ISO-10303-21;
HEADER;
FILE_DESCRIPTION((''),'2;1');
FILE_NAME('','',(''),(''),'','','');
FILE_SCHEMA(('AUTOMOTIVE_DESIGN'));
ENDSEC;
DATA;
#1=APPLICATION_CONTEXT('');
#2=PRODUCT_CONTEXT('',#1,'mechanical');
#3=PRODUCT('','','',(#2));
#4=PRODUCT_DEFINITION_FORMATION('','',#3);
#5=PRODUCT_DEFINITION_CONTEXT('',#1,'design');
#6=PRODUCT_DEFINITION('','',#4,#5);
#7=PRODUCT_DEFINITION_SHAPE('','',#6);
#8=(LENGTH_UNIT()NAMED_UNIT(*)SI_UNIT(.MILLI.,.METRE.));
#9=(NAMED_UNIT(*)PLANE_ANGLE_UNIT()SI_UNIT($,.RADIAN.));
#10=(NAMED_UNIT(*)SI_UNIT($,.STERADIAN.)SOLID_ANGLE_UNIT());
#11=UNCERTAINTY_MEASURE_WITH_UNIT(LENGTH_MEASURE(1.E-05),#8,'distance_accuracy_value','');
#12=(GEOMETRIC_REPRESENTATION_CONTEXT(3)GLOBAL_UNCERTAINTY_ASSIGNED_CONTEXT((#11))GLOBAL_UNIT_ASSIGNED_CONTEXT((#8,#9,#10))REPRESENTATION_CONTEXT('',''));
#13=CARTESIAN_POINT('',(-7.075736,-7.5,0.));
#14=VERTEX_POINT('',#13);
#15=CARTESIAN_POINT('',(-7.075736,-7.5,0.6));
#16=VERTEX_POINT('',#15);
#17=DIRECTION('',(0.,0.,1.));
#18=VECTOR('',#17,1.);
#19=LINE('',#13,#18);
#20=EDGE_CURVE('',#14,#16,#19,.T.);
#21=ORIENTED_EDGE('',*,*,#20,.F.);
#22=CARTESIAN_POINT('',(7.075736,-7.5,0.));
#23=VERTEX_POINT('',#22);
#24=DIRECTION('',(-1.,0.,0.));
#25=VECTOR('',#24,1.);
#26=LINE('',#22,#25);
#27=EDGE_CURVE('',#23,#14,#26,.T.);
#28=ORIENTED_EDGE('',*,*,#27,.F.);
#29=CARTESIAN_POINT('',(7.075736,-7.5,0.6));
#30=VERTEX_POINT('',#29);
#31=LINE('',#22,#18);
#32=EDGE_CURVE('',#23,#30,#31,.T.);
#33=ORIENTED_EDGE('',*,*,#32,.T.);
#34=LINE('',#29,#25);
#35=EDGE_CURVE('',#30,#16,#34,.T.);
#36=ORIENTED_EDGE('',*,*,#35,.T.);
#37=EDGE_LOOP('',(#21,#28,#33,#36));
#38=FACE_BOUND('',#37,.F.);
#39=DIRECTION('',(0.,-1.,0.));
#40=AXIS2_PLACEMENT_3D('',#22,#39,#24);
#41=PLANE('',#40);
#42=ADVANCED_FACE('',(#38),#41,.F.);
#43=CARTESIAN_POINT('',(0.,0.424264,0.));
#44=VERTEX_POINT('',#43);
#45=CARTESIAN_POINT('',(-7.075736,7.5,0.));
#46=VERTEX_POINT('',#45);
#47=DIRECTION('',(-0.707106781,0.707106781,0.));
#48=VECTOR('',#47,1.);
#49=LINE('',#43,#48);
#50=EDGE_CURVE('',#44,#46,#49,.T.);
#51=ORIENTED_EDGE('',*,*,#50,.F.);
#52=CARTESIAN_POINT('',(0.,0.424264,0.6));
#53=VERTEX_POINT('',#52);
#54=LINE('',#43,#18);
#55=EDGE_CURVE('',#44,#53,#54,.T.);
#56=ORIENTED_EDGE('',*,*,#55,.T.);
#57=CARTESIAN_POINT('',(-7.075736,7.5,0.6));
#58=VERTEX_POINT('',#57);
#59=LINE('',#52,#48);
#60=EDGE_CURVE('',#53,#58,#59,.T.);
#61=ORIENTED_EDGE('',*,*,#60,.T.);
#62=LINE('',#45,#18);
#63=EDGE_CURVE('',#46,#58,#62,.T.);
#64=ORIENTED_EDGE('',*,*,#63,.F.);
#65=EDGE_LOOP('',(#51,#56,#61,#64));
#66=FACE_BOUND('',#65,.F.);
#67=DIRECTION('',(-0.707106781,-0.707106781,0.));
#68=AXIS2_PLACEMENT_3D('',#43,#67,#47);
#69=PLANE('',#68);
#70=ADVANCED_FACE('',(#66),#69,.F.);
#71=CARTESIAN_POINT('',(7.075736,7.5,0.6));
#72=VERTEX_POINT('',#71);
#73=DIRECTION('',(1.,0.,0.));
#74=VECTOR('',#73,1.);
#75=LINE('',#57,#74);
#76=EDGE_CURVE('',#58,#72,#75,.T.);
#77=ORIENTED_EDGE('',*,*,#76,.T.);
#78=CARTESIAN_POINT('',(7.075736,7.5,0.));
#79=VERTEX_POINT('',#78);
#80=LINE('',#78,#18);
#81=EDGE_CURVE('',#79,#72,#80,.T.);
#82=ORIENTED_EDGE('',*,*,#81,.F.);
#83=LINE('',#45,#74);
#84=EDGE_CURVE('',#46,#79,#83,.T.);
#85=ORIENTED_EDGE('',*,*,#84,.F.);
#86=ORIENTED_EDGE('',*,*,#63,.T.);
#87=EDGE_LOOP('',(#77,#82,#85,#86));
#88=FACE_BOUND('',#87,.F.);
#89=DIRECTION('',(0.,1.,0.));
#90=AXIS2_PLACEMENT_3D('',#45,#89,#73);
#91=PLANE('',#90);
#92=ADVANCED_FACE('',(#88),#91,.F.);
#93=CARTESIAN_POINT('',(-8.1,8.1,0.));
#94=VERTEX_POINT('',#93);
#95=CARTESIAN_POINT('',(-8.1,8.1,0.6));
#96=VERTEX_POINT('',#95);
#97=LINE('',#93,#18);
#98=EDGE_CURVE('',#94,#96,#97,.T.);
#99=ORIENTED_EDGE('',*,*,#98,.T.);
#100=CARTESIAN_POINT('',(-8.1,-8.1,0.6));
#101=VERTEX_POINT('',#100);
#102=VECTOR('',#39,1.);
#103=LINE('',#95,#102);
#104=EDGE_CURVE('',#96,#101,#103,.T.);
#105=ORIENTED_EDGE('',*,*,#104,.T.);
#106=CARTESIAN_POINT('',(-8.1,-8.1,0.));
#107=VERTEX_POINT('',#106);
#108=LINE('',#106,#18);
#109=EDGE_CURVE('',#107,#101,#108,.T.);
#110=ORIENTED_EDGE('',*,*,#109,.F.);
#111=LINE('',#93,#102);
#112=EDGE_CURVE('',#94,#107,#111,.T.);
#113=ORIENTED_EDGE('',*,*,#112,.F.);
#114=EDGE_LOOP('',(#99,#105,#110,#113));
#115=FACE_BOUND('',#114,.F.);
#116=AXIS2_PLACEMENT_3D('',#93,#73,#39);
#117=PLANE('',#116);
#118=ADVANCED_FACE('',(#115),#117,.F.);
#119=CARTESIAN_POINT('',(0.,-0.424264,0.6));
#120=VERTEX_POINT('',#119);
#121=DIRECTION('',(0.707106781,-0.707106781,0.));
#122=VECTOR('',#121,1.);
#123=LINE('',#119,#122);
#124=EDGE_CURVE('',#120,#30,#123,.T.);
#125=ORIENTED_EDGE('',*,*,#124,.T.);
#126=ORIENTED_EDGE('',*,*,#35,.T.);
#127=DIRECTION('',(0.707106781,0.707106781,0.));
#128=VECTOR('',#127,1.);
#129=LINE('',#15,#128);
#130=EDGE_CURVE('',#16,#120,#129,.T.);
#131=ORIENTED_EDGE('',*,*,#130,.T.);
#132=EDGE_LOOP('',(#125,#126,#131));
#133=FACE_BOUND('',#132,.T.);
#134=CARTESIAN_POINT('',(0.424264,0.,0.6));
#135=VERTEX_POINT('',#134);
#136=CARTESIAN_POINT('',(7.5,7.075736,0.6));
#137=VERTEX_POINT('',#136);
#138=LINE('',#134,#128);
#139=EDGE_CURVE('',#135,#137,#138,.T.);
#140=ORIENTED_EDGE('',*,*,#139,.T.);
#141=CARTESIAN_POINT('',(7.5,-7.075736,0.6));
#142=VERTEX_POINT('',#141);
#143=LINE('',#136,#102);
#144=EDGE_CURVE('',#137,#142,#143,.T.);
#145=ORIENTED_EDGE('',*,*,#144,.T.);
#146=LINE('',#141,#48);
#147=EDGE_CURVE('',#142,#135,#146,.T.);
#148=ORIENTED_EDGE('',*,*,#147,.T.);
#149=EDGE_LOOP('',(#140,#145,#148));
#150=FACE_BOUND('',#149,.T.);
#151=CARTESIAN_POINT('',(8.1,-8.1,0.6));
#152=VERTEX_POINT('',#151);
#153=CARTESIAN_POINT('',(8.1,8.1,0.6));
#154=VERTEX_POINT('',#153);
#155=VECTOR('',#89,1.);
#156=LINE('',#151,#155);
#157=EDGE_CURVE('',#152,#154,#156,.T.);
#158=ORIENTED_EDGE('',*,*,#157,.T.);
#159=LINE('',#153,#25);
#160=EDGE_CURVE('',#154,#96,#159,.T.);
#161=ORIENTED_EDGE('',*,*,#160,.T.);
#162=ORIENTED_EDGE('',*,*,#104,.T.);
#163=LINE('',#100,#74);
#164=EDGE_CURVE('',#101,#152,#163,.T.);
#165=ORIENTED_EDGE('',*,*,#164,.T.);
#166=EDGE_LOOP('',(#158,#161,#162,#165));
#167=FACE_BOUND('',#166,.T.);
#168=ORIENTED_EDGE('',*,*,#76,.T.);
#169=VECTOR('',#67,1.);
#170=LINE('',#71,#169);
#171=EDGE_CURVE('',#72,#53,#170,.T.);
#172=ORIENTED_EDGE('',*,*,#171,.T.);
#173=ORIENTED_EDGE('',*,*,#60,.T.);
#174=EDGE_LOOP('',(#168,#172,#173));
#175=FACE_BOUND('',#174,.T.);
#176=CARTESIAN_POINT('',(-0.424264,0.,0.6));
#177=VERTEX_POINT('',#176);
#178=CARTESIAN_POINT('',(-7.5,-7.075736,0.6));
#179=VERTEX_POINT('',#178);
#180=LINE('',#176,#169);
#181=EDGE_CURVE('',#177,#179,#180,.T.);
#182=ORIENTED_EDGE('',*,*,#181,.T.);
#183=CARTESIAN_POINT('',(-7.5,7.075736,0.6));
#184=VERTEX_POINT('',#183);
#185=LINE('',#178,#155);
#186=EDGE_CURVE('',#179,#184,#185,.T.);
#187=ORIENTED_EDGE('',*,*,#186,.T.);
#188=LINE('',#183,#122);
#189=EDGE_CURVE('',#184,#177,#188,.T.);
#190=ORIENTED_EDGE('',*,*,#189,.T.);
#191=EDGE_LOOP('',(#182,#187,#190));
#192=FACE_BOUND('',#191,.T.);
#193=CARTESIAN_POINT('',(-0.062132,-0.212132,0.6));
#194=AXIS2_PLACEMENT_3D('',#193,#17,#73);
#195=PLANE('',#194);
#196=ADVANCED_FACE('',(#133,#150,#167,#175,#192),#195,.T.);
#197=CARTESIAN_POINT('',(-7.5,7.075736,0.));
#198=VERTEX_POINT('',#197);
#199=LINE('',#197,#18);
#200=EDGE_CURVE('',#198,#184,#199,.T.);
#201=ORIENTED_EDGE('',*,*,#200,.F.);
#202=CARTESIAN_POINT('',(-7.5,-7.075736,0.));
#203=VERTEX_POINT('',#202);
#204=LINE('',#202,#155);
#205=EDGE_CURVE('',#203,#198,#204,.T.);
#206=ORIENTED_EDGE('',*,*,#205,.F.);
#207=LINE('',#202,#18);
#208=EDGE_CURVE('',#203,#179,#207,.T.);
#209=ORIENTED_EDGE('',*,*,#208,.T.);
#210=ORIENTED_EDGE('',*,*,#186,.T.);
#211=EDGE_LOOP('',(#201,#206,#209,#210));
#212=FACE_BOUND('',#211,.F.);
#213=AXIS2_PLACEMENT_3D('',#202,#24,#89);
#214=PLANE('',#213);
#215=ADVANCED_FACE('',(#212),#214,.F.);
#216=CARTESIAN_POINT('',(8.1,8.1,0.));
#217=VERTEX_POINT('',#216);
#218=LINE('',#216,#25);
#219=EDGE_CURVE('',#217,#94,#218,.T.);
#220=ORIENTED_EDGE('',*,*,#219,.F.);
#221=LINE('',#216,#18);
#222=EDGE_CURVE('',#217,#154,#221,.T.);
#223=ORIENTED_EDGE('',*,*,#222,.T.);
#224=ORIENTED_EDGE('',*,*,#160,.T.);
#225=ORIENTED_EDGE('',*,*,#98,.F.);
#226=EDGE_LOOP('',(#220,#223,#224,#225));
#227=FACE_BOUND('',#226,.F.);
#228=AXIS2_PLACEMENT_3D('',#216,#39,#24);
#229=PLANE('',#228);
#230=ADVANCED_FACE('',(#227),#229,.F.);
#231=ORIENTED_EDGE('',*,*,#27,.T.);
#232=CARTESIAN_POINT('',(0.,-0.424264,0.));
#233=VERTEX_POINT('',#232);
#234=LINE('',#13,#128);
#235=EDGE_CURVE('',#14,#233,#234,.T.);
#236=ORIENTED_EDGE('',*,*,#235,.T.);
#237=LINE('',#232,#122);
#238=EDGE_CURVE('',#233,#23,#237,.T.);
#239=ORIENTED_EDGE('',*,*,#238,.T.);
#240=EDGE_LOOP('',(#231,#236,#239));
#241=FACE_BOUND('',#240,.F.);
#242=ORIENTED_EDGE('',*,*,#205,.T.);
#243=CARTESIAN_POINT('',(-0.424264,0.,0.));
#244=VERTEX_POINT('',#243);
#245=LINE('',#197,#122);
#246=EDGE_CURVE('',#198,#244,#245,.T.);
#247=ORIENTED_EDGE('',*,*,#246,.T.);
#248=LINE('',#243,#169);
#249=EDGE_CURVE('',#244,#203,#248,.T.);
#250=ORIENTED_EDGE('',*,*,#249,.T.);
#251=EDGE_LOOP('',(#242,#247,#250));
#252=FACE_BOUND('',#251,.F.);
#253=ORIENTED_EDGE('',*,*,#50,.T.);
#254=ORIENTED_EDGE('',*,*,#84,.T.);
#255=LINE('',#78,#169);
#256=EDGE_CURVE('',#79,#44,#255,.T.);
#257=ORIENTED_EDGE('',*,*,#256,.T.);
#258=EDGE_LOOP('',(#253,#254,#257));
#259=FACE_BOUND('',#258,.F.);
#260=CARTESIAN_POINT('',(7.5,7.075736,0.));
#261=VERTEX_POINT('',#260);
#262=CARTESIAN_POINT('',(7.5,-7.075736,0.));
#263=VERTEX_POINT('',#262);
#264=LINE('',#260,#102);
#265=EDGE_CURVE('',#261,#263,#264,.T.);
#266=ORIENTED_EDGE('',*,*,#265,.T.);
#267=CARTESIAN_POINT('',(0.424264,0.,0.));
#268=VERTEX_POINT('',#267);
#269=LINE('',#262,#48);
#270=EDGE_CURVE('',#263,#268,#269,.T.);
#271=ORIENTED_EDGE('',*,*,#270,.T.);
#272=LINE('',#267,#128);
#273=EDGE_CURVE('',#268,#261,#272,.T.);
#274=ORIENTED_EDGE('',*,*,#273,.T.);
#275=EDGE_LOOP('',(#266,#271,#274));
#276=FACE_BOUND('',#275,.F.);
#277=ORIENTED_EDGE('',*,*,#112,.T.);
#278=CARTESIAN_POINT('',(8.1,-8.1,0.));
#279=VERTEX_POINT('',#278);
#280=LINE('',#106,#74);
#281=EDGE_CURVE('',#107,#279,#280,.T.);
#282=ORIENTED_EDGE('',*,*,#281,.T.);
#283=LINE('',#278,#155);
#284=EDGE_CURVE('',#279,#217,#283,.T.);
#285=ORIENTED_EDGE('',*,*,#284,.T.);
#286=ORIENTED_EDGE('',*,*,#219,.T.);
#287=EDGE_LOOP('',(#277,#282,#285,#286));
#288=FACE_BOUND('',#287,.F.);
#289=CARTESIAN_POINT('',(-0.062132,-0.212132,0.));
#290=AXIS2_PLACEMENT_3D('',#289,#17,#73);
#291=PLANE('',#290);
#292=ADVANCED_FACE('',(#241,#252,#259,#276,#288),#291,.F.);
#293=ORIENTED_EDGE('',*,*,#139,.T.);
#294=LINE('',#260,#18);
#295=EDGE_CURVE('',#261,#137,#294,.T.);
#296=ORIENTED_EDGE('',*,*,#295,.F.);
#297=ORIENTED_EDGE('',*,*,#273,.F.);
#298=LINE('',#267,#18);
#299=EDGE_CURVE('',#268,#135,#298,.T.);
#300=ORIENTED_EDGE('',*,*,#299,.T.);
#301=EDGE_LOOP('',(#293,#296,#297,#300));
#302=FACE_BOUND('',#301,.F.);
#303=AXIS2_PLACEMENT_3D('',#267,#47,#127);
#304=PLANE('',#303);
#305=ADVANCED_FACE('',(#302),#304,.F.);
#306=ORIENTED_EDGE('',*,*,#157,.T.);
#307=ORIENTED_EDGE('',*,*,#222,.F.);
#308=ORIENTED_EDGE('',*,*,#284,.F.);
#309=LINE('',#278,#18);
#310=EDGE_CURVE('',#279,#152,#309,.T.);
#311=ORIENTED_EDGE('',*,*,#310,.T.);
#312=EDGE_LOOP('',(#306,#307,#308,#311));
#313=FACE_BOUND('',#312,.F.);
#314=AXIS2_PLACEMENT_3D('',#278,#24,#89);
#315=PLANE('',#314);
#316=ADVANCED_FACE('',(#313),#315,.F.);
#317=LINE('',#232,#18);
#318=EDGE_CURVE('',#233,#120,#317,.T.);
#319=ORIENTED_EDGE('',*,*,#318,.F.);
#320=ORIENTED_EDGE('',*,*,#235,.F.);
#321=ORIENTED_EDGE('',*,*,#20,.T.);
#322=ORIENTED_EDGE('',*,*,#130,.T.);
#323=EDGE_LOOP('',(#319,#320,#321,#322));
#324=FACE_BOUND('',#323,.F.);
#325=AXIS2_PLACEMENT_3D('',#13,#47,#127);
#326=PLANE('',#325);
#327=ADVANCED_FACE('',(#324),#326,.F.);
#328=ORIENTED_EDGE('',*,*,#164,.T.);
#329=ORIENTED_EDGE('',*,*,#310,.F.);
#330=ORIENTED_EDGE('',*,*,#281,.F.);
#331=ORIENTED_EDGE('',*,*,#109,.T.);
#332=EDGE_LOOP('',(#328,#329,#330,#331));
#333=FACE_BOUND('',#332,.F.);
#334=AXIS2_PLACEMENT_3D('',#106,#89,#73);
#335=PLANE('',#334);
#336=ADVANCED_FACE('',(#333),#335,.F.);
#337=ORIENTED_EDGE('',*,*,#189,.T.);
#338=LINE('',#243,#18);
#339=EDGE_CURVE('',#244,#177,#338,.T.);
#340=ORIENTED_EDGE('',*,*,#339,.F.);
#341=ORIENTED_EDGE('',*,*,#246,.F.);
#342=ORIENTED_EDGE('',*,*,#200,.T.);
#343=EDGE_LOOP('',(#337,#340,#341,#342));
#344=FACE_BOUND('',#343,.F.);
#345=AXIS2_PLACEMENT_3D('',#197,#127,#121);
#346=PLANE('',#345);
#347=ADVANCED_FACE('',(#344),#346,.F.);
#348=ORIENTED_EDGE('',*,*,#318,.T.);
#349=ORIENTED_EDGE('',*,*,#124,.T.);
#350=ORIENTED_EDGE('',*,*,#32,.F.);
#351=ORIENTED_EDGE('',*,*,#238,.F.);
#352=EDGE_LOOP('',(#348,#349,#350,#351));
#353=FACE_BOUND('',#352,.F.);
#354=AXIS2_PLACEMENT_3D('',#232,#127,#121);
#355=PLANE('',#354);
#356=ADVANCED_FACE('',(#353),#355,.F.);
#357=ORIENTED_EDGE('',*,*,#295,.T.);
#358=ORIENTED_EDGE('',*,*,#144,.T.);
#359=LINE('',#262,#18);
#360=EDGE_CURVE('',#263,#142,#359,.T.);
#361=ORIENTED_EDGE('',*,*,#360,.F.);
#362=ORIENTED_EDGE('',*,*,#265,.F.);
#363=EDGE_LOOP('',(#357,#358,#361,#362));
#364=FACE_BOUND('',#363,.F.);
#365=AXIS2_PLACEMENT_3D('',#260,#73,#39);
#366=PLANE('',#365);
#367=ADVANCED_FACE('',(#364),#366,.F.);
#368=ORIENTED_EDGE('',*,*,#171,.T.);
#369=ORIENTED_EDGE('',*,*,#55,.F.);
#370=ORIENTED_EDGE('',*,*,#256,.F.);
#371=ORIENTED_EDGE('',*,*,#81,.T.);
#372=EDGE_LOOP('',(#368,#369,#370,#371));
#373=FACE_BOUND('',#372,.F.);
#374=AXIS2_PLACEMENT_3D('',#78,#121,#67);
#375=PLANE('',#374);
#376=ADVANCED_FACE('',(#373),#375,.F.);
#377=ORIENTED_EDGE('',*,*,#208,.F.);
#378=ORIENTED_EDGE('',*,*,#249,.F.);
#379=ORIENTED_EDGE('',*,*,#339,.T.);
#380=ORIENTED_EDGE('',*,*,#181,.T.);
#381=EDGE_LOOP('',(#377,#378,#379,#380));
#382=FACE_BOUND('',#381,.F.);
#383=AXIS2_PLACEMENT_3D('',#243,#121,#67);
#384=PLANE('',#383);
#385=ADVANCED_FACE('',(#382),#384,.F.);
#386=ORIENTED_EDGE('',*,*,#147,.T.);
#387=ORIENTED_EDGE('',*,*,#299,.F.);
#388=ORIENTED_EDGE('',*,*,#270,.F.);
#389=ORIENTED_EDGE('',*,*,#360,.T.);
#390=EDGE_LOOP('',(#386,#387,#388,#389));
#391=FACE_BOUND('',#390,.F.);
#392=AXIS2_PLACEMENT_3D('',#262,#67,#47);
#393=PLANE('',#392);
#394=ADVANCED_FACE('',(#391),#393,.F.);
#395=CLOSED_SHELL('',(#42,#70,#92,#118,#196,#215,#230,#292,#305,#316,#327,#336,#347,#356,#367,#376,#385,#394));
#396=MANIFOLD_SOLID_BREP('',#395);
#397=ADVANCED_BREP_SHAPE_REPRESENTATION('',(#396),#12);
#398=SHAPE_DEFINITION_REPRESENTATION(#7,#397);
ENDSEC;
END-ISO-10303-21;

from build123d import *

# Parameters (mm, degrees)
F1_DEPTH = 0.6


with BuildPart() as f1:
    # F0 (on Top) → F1 (new body)
    with BuildSketch(Plane.XY):
        Polygon((0, -0.4242640687), (0, 0), (-0.2121320344, -0.2121320344), align=None)
        Polygon((-7.0757359313, 7.5), (-7.5, 7.5), (-0.2121320344, 0.2121320344), (0, 0.4242640687), align=None)
        Polygon((-0.4242640687, 0), (-7.5, -7.0757359313), (-7.5, -7.5), (-0.2121320344, -0.2121320344), align=None)
        Polygon((7.5, 7.5), (0.2121320344, 0.2121320344), (0.4242640687, 0), (7.5, 7.0757359313), align=None)
        Polygon((-7.5, 7.0757359313), (-7.5, 7.5), (-7.0757359313, 7.5), (0, 7.5), (0, 8.1), (-8.1, 8.1), (-8.1, -8.1), (0, -8.1), (0, -7.5), (-7.0757359313, -7.5), (-7.5, -7.5), (-7.5, -7.0757359313), align=None)
        Polygon((0.2121320344, 0.2121320344), (0, 0), (0.2121320344, -0.2121320344), (0.4242640687, 0), align=None)
        Polygon((0, 0.4242640687), (-0.2121320344, 0.2121320344), (0, 0), align=None)
        Polygon((-0.2121320344, -0.2121320344), (-7.5, -7.5), (-7.0757359313, -7.5), (0, -0.4242640687), align=None)
        Polygon((0.2121320344, -0.2121320344), (0, -0.4242640687), (7.0757359313, -7.5), (7.5, -7.5), align=None)
        Polygon((0, 0), (-0.2121320344, 0.2121320344), (-0.4242640687, 0), (-0.2121320344, -0.2121320344), align=None)
        Polygon((0, 8.1), (0, 7.5), (7.0757359313, 7.5), (7.5, 7.5), (7.5, 7.0757359313), (7.5, -7.0757359313), (7.5, -7.5), (7.0757359313, -7.5), (0, -7.5), (0, -8.1), (8.1, -8.1), (8.1, 8.1), align=None)
        Polygon((0.4242640687, 0), (0.2121320344, -0.2121320344), (7.5, -7.5), (7.5, -7.0757359313), align=None)
        Polygon((7.0757359313, 7.5), (0, 0.4242640687), (0.2121320344, 0.2121320344), (7.5, 7.5), align=None)
        Polygon((0.2121320344, -0.2121320344), (0, 0), (0, -0.4242640687), align=None)
        Polygon((0.2121320344, 0.2121320344), (0, 0.4242640687), (0, 0), align=None)
        Polygon((-0.2121320344, 0.2121320344), (-7.5, 7.5), (-7.5, 7.0757359313), (-0.4242640687, 0), align=None)
    extrude(amount=F1_DEPTH)


solid = f1.part
